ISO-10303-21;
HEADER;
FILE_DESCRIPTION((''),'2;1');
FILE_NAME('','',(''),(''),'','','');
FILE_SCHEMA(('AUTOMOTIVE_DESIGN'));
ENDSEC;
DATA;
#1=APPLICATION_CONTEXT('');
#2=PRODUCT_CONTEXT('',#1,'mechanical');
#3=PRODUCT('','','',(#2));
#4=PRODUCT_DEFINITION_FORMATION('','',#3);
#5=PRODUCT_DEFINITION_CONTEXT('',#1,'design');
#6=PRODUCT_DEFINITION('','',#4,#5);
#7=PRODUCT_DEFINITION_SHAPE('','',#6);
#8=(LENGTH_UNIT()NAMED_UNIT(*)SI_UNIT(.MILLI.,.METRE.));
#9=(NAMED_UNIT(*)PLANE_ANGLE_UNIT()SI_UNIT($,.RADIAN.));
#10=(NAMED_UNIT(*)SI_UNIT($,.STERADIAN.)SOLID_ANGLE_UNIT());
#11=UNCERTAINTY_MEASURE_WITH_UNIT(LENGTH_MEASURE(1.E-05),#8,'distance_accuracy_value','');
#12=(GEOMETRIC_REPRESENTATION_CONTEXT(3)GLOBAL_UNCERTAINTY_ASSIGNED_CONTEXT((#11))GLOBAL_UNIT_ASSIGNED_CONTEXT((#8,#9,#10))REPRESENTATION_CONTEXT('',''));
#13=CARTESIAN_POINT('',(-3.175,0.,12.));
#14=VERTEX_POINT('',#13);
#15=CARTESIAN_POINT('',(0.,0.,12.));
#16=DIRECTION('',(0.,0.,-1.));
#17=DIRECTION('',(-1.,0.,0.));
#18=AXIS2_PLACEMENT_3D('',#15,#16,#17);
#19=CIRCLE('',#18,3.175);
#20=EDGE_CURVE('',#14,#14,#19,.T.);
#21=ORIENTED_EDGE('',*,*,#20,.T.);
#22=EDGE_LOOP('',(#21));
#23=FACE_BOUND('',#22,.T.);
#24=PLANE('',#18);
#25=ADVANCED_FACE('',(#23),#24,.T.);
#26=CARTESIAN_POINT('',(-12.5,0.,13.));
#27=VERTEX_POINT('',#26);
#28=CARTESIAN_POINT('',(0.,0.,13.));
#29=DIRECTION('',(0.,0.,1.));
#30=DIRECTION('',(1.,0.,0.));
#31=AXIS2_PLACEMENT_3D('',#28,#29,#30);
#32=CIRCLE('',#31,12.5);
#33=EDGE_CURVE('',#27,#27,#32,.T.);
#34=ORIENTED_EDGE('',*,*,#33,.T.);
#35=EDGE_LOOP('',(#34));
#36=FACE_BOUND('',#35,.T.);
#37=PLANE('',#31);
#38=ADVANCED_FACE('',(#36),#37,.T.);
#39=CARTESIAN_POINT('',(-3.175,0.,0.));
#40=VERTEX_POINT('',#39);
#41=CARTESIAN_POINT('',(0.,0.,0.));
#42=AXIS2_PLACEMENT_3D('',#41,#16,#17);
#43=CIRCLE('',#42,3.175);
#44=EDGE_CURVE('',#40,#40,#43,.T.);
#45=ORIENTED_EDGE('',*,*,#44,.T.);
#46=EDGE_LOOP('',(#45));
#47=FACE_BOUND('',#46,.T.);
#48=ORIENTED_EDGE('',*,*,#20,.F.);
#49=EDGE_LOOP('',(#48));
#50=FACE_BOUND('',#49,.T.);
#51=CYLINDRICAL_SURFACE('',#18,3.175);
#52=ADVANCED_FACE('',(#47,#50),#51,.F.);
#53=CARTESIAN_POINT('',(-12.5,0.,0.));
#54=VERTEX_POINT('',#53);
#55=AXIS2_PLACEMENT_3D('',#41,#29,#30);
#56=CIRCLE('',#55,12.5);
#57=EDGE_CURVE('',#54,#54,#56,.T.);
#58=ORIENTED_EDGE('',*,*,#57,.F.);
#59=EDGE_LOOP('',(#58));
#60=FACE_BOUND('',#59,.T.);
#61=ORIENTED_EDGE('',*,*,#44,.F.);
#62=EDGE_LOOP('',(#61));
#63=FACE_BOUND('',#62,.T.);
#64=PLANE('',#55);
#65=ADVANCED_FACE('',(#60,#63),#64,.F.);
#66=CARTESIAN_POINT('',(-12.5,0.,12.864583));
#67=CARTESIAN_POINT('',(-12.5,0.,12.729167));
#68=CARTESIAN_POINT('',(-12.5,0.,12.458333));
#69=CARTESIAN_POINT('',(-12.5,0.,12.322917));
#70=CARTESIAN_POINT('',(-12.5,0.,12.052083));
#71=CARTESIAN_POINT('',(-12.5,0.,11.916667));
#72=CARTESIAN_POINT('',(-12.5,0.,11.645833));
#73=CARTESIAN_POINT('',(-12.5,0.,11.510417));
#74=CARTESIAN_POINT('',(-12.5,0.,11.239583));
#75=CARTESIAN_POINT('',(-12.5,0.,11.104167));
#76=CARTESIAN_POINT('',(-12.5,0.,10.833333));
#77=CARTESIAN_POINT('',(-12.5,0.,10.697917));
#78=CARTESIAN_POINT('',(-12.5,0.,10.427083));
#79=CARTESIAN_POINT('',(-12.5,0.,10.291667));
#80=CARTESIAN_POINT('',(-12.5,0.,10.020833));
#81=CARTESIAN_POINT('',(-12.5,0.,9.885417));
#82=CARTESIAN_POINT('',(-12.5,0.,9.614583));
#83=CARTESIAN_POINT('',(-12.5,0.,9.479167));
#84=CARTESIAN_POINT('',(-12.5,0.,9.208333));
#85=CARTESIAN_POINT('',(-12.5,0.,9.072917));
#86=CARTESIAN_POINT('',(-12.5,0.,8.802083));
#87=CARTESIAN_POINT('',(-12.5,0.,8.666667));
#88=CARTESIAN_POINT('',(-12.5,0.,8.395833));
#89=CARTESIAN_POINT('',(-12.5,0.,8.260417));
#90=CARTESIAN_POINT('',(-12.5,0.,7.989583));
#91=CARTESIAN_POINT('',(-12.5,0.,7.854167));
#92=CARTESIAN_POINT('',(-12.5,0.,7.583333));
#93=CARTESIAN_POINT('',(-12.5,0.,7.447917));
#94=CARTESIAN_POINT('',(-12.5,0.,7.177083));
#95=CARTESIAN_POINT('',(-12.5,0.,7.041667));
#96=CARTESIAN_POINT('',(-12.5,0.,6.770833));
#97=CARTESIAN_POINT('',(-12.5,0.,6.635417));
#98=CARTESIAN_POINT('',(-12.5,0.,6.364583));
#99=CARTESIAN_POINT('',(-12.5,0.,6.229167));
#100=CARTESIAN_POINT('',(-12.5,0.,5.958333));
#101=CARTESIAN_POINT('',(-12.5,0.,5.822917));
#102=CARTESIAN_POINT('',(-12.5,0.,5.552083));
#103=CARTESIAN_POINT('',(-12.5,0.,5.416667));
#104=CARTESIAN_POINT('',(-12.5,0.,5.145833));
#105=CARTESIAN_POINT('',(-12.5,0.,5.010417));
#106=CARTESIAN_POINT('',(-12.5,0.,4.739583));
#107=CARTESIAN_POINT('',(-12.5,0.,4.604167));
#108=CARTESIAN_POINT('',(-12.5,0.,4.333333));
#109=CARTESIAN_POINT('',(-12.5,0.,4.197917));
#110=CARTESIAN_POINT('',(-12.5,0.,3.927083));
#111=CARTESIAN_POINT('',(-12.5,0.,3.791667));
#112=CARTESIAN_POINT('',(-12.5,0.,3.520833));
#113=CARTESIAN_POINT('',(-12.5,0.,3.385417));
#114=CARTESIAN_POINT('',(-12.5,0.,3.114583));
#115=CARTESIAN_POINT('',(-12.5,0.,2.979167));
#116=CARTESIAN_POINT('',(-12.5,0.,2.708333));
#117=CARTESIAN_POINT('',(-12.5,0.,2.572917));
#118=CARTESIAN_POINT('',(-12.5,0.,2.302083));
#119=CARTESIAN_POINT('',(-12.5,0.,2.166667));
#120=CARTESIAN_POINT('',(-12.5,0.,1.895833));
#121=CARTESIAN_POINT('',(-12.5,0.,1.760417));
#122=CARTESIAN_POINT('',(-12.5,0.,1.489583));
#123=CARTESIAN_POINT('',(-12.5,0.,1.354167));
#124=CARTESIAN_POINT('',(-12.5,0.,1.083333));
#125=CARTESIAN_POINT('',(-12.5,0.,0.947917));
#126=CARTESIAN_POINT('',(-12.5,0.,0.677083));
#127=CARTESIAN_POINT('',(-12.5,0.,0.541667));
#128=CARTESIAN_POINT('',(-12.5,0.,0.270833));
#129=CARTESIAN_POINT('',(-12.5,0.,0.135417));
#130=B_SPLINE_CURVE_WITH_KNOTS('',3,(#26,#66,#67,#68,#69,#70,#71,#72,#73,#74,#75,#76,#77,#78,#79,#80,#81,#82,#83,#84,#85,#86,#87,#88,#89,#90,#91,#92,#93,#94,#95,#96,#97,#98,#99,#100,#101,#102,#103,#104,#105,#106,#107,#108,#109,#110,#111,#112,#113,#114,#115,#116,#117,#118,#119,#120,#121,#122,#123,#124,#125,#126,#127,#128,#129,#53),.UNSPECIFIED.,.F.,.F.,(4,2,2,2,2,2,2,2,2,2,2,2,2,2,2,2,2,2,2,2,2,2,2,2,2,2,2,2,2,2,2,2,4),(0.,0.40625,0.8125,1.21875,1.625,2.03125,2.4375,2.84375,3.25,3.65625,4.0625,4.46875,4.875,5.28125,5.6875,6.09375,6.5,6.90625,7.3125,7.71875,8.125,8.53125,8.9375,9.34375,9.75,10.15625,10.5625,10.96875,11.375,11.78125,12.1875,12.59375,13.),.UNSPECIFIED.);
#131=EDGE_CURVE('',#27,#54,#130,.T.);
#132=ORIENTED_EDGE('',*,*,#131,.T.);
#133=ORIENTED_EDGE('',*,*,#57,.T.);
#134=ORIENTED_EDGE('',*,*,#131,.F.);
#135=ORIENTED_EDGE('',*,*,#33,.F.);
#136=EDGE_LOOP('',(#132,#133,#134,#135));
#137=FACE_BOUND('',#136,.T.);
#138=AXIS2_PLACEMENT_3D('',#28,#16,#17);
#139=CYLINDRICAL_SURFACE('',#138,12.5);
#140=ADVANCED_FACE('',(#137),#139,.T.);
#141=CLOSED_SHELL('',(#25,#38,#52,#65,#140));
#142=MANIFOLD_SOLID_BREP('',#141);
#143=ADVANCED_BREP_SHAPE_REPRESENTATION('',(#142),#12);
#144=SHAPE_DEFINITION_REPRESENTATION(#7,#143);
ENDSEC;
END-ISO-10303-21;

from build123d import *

# Parameters (mm, degrees)
SZKIC1_R                    = 12.5
DODANIE_WYCI_GNI_CIE2_DEPTH = 13
SZKIC2_R                    = 3.175
WYTNIJ_WYCI_GNI_CIE1_DEPTH  = 12


with BuildPart() as part:
    # Szkic1 → Dodanie-wyciągnięcie2 (new body)
    with BuildSketch(Plane.XY):
        with Locations(Location((0, 0, 0), (0, 0, 180))):
            Circle(SZKIC1_R)
    extrude(amount=DODANIE_WYCI_GNI_CIE2_DEPTH)

    # Szkic2 → Wytnij-wyciągnięcie1 (cut)
    with BuildSketch(Plane(origin=(0, 0, 0), x_dir=(-1, 0, 0), z_dir=(0, 0, -1))):
        Circle(SZKIC2_R)
    extrude(amount=-WYTNIJ_WYCI_GNI_CIE1_DEPTH, mode=Mode.SUBTRACT)


solid = part.part
